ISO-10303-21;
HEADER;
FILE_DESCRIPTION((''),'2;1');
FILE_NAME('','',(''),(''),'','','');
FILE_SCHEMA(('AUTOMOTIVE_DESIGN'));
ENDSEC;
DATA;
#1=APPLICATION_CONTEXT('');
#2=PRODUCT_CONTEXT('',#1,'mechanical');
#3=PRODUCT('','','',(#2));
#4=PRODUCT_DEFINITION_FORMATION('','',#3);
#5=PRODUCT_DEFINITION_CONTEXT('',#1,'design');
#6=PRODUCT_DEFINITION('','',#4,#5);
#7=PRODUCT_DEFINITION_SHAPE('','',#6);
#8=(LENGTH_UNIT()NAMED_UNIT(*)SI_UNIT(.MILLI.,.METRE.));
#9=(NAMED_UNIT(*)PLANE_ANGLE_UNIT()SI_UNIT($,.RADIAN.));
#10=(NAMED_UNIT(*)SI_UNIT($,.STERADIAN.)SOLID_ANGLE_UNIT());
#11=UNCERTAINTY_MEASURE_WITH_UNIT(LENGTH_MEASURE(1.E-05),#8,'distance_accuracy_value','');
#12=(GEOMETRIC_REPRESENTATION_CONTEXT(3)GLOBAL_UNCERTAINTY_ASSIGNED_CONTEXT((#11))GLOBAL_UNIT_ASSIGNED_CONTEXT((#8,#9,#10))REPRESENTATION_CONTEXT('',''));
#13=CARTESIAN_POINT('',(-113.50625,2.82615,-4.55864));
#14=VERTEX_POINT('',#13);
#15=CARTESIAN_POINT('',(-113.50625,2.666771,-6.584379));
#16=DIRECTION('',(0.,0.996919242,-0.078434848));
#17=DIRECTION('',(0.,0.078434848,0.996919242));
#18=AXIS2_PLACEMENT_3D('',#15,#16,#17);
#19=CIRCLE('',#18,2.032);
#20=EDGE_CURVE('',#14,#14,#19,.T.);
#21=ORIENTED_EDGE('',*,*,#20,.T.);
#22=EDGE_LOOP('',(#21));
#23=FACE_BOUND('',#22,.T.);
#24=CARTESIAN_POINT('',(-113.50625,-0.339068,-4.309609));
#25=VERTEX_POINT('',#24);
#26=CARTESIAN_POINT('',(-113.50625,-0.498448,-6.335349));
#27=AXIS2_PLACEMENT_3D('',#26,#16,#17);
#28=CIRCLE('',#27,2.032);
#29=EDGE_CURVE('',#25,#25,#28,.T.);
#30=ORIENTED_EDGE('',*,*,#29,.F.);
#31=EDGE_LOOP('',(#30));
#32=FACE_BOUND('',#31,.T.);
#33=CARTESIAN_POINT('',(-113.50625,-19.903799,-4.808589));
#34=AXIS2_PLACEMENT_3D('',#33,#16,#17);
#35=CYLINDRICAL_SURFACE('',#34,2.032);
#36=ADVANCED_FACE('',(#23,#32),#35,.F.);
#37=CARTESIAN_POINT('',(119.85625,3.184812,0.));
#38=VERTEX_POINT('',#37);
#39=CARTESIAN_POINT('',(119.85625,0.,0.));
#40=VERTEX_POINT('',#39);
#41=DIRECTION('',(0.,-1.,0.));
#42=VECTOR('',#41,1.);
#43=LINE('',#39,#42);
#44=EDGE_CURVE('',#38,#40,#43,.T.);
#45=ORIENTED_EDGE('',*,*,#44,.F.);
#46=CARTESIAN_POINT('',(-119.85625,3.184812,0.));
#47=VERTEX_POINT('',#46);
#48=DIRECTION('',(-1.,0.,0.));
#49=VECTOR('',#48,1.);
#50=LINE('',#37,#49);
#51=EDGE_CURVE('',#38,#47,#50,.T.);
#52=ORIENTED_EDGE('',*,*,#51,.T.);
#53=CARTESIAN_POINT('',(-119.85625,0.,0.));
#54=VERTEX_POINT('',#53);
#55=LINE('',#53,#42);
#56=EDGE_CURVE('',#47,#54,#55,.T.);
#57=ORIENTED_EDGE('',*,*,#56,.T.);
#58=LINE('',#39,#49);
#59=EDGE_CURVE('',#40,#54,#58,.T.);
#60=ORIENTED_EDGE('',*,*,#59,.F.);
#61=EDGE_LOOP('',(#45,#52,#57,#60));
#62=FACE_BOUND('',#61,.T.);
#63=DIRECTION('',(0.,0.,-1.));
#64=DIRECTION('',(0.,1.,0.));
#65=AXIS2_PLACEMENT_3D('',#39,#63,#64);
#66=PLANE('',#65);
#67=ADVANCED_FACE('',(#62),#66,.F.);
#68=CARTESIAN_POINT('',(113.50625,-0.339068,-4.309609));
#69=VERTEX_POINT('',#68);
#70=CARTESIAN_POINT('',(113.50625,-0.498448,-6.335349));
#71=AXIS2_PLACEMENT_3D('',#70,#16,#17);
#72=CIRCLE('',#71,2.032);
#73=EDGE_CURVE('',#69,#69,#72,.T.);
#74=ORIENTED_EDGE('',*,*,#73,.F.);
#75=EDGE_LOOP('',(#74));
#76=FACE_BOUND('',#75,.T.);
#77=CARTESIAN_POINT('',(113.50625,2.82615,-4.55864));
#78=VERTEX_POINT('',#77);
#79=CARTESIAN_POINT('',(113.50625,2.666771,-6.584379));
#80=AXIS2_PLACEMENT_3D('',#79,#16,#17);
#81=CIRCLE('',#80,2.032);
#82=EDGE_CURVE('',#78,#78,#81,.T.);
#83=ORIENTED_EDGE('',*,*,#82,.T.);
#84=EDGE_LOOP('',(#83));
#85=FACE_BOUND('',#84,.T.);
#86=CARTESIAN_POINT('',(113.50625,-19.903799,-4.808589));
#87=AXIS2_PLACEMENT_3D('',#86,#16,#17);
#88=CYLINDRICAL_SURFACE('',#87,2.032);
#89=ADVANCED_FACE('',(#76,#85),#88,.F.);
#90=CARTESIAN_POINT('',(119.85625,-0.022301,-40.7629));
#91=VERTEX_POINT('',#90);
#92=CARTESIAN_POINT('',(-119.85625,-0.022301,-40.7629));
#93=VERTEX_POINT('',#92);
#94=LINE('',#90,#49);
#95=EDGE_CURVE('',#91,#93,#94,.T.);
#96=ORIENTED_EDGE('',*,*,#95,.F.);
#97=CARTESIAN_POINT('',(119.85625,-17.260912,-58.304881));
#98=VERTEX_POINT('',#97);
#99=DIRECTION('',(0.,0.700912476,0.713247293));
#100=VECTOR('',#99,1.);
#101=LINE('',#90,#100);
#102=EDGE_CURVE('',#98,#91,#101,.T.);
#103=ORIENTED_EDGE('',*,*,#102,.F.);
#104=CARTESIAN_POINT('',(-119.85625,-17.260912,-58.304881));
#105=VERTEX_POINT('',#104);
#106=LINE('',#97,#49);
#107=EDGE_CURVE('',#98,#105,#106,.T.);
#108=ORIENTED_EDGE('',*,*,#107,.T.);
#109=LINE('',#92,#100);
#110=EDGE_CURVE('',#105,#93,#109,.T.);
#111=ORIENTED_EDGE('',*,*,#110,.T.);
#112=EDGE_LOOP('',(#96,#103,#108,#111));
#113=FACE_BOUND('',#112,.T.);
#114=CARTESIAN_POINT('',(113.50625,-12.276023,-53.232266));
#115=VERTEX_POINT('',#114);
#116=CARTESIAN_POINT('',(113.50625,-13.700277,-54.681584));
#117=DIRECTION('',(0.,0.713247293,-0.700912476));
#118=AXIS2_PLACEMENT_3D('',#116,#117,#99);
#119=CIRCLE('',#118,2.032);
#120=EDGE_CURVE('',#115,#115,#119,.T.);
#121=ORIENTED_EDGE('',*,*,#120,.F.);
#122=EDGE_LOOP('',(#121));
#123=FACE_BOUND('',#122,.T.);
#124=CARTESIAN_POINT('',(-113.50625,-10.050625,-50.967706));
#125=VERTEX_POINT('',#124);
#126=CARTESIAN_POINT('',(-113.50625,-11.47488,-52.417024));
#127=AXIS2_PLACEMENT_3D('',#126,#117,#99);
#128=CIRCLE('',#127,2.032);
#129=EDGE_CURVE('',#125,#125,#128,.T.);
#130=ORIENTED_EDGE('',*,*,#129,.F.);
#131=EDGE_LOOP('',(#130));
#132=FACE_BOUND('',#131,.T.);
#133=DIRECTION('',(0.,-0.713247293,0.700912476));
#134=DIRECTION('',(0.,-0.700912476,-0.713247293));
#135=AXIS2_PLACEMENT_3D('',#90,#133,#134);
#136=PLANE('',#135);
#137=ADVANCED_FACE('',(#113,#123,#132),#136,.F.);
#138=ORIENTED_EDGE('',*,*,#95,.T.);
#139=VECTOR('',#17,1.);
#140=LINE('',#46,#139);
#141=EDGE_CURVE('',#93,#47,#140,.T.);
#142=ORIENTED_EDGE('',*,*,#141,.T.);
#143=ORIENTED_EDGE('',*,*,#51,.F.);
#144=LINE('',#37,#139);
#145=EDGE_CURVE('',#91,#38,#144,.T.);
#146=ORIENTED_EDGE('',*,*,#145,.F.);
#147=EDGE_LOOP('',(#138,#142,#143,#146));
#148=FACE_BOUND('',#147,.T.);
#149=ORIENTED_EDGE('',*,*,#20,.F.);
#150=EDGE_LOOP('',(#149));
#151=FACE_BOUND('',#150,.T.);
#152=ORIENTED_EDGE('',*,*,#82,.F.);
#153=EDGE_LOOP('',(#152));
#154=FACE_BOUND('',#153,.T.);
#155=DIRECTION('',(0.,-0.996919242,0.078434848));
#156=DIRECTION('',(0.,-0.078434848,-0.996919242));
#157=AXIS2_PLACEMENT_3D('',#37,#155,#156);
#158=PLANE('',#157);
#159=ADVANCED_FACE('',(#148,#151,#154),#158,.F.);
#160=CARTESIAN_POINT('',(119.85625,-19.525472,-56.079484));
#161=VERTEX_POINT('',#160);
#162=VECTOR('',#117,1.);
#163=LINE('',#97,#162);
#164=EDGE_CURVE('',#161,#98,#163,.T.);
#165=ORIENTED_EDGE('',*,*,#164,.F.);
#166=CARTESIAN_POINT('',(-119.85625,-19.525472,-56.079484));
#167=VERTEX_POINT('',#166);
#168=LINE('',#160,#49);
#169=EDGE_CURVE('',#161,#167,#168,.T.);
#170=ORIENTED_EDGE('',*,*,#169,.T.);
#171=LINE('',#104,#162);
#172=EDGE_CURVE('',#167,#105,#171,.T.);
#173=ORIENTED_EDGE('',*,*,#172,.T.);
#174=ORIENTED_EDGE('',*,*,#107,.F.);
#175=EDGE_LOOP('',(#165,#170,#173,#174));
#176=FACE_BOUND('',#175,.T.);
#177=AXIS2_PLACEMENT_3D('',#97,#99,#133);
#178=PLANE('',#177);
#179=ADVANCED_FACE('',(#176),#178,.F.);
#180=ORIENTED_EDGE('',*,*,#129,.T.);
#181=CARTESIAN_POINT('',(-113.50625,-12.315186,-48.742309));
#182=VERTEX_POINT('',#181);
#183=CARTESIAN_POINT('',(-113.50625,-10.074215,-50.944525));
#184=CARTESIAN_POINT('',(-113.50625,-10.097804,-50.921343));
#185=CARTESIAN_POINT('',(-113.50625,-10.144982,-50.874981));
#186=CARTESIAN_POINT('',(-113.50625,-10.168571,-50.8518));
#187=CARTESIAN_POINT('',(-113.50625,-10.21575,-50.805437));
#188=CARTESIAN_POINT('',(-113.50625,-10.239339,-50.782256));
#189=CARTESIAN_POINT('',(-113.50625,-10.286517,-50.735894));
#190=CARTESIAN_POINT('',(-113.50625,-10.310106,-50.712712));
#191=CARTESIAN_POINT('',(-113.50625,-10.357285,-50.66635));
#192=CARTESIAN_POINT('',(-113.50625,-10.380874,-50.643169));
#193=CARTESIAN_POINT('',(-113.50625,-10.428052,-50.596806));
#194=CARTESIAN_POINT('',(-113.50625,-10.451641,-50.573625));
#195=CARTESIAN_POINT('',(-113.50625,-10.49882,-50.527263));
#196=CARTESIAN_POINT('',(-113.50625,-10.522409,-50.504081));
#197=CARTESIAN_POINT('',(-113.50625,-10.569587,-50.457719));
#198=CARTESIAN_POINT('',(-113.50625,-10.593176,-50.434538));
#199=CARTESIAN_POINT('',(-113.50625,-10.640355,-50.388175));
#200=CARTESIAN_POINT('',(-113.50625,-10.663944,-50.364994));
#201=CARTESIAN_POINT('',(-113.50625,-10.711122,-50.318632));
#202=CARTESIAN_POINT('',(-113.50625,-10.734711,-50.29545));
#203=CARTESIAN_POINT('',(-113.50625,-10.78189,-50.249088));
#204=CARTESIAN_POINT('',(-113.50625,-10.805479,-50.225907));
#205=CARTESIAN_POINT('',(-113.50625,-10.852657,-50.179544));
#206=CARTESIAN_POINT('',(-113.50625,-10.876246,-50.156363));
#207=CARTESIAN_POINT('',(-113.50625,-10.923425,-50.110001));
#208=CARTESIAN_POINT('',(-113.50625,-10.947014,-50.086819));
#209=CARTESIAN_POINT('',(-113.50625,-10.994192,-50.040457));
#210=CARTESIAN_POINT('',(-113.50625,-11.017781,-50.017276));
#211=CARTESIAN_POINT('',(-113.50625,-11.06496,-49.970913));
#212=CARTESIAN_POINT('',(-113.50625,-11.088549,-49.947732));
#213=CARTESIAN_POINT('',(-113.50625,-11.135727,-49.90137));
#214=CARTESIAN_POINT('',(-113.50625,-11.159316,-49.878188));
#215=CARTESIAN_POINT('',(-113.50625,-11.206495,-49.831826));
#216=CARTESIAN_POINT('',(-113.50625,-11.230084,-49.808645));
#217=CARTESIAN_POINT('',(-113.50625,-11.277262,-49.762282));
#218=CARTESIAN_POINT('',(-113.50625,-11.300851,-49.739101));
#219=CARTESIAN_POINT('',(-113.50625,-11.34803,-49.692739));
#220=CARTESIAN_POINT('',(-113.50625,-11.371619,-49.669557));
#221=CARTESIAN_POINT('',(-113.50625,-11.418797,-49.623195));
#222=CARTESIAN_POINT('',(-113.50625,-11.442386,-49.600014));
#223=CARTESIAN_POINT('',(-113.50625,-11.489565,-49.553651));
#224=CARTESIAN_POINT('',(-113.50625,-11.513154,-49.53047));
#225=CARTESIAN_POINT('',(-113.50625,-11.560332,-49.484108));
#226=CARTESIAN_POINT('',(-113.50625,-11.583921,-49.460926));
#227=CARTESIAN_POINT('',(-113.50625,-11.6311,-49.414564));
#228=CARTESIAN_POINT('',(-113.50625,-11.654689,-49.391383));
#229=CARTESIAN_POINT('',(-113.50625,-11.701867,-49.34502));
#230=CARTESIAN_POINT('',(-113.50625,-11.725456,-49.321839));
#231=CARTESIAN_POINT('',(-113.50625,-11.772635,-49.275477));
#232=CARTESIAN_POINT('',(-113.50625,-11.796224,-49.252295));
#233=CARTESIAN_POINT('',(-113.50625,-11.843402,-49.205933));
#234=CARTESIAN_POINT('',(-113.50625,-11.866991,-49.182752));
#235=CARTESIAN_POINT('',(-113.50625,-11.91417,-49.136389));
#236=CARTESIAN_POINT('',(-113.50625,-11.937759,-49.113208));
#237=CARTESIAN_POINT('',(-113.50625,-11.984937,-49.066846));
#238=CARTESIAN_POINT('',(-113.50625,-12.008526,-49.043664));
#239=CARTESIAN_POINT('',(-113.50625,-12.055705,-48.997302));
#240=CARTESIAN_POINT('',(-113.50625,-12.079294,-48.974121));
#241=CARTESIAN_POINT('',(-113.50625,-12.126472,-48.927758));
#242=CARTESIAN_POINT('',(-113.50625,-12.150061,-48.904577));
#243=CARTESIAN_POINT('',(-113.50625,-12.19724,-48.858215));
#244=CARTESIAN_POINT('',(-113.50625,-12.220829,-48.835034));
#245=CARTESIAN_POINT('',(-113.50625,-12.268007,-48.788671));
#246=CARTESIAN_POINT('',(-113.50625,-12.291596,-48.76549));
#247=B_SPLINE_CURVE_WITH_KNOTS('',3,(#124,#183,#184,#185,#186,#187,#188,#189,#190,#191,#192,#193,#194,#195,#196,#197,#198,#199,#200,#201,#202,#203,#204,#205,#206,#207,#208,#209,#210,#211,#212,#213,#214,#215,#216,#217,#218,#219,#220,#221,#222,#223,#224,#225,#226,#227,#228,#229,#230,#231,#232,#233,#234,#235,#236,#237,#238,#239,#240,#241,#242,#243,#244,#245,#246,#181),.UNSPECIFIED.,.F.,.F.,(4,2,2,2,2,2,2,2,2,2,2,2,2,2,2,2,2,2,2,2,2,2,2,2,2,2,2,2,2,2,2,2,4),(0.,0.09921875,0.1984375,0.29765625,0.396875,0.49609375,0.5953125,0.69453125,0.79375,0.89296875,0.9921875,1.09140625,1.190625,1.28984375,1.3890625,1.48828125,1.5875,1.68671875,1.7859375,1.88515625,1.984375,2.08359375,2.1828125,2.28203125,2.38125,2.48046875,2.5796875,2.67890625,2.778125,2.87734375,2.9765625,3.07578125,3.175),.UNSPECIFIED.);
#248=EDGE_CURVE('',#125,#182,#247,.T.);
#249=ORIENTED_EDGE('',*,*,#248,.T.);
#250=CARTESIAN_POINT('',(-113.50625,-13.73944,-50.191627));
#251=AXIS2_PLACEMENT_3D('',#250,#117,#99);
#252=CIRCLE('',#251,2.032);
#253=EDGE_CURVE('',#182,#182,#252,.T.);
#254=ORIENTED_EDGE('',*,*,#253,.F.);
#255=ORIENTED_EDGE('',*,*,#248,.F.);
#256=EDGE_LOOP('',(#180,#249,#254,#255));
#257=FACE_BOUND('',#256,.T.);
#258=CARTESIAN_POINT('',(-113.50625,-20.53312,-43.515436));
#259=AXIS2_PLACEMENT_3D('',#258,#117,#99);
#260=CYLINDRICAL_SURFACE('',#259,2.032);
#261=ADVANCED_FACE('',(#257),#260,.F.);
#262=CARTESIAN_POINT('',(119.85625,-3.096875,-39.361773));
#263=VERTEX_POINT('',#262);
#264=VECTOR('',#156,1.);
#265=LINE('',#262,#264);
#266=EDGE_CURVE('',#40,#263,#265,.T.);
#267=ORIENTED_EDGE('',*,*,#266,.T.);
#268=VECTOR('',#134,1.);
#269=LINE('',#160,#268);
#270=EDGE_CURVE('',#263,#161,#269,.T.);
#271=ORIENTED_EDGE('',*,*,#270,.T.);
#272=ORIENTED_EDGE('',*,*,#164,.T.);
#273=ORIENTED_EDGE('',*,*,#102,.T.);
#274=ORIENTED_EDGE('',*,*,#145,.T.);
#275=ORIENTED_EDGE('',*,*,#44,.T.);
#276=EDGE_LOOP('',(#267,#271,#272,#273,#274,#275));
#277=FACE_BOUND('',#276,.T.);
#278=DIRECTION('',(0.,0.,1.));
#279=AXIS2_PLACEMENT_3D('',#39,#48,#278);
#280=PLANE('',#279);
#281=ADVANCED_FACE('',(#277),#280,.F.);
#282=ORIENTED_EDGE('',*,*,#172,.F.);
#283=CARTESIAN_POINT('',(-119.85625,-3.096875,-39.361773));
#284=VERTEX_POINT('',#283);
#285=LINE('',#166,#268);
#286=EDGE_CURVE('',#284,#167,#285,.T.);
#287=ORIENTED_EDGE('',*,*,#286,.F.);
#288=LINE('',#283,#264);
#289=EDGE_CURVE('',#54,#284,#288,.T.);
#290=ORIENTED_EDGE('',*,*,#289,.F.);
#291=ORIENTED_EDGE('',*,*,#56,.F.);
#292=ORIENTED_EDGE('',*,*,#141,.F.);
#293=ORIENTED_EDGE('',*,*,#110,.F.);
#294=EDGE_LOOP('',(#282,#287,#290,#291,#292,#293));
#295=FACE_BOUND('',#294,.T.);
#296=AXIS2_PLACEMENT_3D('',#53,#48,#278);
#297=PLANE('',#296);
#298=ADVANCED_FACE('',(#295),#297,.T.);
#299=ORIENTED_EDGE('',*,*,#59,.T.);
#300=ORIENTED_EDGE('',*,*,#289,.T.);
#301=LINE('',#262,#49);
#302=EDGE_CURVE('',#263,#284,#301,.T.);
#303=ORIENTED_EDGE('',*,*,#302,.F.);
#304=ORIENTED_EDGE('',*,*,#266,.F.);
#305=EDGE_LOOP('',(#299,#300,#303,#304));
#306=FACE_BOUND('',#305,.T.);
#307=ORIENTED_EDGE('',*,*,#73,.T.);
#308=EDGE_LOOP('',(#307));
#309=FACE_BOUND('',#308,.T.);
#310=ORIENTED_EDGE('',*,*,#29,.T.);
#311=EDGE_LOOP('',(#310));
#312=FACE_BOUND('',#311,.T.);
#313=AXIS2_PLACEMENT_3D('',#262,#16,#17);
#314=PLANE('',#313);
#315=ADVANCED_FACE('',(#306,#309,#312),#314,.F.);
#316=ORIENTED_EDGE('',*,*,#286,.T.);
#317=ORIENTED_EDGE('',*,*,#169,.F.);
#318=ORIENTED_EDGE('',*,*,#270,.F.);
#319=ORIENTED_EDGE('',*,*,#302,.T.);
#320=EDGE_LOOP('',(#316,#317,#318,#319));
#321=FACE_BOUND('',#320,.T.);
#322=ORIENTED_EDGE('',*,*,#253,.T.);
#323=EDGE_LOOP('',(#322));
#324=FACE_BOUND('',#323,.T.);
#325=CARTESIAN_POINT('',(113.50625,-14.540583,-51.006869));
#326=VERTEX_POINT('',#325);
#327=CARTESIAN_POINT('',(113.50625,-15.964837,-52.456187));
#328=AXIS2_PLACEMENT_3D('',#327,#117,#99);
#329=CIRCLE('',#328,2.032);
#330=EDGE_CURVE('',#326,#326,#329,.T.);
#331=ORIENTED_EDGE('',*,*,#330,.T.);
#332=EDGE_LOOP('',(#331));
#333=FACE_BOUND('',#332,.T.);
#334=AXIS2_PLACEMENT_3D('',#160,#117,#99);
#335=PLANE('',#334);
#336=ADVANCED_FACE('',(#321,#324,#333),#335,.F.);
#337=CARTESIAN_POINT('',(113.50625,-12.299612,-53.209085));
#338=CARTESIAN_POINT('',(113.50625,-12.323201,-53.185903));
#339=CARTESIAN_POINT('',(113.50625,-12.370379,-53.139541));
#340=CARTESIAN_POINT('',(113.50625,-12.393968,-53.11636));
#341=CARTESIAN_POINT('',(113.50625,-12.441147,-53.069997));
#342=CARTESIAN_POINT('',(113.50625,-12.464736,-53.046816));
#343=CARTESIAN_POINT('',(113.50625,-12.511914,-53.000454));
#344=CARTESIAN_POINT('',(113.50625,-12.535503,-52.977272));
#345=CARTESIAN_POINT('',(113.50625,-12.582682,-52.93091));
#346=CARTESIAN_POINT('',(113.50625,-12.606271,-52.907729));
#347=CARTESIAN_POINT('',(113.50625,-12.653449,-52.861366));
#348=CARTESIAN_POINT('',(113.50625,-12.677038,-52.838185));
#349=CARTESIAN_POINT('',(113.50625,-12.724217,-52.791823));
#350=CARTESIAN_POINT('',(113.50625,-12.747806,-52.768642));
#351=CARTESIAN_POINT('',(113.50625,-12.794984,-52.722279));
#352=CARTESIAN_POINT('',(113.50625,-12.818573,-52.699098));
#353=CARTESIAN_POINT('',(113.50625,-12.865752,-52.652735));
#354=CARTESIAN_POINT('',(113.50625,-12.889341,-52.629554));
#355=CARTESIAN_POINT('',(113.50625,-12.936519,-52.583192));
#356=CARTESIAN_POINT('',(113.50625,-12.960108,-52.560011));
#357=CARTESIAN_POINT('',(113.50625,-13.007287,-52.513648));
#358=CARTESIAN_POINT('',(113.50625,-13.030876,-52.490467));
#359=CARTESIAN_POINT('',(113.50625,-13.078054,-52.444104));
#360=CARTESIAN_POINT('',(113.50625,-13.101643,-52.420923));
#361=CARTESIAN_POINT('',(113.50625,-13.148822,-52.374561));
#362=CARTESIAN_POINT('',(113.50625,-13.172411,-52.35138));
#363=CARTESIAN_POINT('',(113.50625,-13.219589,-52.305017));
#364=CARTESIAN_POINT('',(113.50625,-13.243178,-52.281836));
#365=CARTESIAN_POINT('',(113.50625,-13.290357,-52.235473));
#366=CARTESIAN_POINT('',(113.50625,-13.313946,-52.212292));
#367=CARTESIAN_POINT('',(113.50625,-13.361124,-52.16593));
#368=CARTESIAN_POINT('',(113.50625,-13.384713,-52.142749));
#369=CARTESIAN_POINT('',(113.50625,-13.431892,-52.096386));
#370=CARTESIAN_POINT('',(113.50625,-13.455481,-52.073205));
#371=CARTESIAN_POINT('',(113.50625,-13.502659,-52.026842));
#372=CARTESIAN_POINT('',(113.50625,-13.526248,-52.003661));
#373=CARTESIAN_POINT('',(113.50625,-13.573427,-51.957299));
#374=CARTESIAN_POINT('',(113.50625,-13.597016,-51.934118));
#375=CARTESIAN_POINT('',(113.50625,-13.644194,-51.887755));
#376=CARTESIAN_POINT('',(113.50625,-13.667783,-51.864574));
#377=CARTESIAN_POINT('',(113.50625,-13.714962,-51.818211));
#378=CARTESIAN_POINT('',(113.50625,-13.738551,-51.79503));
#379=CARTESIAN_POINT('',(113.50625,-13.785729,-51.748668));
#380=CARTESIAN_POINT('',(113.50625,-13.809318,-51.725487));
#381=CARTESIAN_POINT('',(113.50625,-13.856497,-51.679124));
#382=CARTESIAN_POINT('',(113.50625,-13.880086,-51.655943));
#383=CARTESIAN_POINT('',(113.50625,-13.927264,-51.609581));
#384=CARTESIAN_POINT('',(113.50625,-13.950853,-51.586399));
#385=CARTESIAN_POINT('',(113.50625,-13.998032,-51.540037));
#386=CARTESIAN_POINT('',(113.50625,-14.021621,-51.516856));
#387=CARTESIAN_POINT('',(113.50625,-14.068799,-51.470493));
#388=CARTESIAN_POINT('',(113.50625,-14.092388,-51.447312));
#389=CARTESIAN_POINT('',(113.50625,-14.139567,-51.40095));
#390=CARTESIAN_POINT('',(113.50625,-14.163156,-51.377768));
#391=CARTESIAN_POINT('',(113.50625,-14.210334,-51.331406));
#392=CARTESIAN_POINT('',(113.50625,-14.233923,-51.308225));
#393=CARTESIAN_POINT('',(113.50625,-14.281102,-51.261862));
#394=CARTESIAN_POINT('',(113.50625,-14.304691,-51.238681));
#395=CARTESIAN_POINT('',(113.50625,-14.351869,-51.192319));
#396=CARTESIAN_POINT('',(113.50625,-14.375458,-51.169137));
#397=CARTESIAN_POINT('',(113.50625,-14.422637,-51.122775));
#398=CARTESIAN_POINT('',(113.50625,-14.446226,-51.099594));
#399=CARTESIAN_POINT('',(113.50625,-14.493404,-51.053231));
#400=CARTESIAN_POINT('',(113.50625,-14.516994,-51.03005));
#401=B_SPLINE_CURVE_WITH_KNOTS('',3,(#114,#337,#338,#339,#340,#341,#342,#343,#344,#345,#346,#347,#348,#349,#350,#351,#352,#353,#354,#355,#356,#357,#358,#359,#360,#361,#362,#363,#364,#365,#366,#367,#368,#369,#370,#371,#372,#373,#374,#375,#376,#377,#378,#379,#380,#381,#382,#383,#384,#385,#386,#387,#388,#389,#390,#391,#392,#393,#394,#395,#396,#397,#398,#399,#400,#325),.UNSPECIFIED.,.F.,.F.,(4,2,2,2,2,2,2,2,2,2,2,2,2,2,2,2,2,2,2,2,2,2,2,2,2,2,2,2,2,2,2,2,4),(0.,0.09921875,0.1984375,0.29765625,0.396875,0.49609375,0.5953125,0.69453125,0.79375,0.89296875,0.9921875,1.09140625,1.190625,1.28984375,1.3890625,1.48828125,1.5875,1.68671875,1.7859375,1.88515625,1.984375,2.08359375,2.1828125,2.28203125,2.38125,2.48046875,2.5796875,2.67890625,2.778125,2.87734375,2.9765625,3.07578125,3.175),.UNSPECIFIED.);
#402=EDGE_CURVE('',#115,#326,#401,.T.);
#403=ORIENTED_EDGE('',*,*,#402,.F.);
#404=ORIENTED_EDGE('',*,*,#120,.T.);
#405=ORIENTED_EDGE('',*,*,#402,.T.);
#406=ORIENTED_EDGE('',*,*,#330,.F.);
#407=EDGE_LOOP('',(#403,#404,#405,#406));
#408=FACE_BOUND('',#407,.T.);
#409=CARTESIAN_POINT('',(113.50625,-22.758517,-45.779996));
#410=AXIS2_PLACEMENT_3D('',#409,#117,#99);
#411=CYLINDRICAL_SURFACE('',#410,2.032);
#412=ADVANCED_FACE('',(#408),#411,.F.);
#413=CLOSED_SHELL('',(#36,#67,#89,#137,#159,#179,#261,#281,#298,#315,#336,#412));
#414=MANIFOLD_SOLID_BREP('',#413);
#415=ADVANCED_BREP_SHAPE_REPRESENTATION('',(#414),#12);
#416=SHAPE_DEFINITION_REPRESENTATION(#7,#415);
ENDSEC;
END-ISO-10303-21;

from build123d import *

# Parameters (mm, degrees)
BOSS_EXTRUDE1_DEPTH = 119.85625
SKETCH2_R           = 2.032
CUT_EXTRUDE1_DEPTH  = 136.095780221
SKETCH3_R           = 2.032
CUT_EXTRUDE2_DEPTH  = 12.7


with BuildPart() as part:
    # Sketch1 → Boss-Extrude1 (new, symmetric)
    with BuildSketch(Plane(origin=(0, 0, 0), x_dir=(0, 0, -1), z_dir=(1, 0, 0))):
        Polygon((0, 0), (0, 3.184811635), (40.762900177, -0.022300578), (58.304880654, -17.260912049), (56.079483543, -19.525472204), (39.361772519, -3.096875365), align=None)
    extrude(amount=BOSS_EXTRUDE1_DEPTH, both=True)

    # Sketch2 → Cut-Extrude1 (cut, through all)
    with BuildSketch(Plane(origin=(0, 3.165218593, -0.249030642), x_dir=(1, 0, 0), z_dir=(0, 0.9969192417821154, -0.0784348478966589))):
        with Locations(Location((113.50625, 6.354926815, 0), (0, 0, 270))):
            Circle(SKETCH2_R)
        with Locations(Location((-113.50625, 6.354926815, 0), (0, 0, 270))):
            Circle(SKETCH2_R)
    extrude(amount=-CUT_EXTRUDE1_DEPTH, mode=Mode.SUBTRACT)

    # Sketch3 → Cut-Extrude2 (cut)
    with BuildSketch(Plane(origin=(0, 20.36700431, -20.014779664), x_dir=(1, 0, 0), z_dir=(0, 0.7132472930974809, -0.7009124759120187))):
        with Locations(Location((-113.50625, 45.429186901, 0), (0, 0, 270))):
            Circle(SKETCH3_R)
        with Locations(Location((113.50625, 48.604186901, 0), (0, 0, 270))):
            Circle(SKETCH3_R)
    extrude(amount=-CUT_EXTRUDE2_DEPTH, mode=Mode.SUBTRACT)


solid = part.part
